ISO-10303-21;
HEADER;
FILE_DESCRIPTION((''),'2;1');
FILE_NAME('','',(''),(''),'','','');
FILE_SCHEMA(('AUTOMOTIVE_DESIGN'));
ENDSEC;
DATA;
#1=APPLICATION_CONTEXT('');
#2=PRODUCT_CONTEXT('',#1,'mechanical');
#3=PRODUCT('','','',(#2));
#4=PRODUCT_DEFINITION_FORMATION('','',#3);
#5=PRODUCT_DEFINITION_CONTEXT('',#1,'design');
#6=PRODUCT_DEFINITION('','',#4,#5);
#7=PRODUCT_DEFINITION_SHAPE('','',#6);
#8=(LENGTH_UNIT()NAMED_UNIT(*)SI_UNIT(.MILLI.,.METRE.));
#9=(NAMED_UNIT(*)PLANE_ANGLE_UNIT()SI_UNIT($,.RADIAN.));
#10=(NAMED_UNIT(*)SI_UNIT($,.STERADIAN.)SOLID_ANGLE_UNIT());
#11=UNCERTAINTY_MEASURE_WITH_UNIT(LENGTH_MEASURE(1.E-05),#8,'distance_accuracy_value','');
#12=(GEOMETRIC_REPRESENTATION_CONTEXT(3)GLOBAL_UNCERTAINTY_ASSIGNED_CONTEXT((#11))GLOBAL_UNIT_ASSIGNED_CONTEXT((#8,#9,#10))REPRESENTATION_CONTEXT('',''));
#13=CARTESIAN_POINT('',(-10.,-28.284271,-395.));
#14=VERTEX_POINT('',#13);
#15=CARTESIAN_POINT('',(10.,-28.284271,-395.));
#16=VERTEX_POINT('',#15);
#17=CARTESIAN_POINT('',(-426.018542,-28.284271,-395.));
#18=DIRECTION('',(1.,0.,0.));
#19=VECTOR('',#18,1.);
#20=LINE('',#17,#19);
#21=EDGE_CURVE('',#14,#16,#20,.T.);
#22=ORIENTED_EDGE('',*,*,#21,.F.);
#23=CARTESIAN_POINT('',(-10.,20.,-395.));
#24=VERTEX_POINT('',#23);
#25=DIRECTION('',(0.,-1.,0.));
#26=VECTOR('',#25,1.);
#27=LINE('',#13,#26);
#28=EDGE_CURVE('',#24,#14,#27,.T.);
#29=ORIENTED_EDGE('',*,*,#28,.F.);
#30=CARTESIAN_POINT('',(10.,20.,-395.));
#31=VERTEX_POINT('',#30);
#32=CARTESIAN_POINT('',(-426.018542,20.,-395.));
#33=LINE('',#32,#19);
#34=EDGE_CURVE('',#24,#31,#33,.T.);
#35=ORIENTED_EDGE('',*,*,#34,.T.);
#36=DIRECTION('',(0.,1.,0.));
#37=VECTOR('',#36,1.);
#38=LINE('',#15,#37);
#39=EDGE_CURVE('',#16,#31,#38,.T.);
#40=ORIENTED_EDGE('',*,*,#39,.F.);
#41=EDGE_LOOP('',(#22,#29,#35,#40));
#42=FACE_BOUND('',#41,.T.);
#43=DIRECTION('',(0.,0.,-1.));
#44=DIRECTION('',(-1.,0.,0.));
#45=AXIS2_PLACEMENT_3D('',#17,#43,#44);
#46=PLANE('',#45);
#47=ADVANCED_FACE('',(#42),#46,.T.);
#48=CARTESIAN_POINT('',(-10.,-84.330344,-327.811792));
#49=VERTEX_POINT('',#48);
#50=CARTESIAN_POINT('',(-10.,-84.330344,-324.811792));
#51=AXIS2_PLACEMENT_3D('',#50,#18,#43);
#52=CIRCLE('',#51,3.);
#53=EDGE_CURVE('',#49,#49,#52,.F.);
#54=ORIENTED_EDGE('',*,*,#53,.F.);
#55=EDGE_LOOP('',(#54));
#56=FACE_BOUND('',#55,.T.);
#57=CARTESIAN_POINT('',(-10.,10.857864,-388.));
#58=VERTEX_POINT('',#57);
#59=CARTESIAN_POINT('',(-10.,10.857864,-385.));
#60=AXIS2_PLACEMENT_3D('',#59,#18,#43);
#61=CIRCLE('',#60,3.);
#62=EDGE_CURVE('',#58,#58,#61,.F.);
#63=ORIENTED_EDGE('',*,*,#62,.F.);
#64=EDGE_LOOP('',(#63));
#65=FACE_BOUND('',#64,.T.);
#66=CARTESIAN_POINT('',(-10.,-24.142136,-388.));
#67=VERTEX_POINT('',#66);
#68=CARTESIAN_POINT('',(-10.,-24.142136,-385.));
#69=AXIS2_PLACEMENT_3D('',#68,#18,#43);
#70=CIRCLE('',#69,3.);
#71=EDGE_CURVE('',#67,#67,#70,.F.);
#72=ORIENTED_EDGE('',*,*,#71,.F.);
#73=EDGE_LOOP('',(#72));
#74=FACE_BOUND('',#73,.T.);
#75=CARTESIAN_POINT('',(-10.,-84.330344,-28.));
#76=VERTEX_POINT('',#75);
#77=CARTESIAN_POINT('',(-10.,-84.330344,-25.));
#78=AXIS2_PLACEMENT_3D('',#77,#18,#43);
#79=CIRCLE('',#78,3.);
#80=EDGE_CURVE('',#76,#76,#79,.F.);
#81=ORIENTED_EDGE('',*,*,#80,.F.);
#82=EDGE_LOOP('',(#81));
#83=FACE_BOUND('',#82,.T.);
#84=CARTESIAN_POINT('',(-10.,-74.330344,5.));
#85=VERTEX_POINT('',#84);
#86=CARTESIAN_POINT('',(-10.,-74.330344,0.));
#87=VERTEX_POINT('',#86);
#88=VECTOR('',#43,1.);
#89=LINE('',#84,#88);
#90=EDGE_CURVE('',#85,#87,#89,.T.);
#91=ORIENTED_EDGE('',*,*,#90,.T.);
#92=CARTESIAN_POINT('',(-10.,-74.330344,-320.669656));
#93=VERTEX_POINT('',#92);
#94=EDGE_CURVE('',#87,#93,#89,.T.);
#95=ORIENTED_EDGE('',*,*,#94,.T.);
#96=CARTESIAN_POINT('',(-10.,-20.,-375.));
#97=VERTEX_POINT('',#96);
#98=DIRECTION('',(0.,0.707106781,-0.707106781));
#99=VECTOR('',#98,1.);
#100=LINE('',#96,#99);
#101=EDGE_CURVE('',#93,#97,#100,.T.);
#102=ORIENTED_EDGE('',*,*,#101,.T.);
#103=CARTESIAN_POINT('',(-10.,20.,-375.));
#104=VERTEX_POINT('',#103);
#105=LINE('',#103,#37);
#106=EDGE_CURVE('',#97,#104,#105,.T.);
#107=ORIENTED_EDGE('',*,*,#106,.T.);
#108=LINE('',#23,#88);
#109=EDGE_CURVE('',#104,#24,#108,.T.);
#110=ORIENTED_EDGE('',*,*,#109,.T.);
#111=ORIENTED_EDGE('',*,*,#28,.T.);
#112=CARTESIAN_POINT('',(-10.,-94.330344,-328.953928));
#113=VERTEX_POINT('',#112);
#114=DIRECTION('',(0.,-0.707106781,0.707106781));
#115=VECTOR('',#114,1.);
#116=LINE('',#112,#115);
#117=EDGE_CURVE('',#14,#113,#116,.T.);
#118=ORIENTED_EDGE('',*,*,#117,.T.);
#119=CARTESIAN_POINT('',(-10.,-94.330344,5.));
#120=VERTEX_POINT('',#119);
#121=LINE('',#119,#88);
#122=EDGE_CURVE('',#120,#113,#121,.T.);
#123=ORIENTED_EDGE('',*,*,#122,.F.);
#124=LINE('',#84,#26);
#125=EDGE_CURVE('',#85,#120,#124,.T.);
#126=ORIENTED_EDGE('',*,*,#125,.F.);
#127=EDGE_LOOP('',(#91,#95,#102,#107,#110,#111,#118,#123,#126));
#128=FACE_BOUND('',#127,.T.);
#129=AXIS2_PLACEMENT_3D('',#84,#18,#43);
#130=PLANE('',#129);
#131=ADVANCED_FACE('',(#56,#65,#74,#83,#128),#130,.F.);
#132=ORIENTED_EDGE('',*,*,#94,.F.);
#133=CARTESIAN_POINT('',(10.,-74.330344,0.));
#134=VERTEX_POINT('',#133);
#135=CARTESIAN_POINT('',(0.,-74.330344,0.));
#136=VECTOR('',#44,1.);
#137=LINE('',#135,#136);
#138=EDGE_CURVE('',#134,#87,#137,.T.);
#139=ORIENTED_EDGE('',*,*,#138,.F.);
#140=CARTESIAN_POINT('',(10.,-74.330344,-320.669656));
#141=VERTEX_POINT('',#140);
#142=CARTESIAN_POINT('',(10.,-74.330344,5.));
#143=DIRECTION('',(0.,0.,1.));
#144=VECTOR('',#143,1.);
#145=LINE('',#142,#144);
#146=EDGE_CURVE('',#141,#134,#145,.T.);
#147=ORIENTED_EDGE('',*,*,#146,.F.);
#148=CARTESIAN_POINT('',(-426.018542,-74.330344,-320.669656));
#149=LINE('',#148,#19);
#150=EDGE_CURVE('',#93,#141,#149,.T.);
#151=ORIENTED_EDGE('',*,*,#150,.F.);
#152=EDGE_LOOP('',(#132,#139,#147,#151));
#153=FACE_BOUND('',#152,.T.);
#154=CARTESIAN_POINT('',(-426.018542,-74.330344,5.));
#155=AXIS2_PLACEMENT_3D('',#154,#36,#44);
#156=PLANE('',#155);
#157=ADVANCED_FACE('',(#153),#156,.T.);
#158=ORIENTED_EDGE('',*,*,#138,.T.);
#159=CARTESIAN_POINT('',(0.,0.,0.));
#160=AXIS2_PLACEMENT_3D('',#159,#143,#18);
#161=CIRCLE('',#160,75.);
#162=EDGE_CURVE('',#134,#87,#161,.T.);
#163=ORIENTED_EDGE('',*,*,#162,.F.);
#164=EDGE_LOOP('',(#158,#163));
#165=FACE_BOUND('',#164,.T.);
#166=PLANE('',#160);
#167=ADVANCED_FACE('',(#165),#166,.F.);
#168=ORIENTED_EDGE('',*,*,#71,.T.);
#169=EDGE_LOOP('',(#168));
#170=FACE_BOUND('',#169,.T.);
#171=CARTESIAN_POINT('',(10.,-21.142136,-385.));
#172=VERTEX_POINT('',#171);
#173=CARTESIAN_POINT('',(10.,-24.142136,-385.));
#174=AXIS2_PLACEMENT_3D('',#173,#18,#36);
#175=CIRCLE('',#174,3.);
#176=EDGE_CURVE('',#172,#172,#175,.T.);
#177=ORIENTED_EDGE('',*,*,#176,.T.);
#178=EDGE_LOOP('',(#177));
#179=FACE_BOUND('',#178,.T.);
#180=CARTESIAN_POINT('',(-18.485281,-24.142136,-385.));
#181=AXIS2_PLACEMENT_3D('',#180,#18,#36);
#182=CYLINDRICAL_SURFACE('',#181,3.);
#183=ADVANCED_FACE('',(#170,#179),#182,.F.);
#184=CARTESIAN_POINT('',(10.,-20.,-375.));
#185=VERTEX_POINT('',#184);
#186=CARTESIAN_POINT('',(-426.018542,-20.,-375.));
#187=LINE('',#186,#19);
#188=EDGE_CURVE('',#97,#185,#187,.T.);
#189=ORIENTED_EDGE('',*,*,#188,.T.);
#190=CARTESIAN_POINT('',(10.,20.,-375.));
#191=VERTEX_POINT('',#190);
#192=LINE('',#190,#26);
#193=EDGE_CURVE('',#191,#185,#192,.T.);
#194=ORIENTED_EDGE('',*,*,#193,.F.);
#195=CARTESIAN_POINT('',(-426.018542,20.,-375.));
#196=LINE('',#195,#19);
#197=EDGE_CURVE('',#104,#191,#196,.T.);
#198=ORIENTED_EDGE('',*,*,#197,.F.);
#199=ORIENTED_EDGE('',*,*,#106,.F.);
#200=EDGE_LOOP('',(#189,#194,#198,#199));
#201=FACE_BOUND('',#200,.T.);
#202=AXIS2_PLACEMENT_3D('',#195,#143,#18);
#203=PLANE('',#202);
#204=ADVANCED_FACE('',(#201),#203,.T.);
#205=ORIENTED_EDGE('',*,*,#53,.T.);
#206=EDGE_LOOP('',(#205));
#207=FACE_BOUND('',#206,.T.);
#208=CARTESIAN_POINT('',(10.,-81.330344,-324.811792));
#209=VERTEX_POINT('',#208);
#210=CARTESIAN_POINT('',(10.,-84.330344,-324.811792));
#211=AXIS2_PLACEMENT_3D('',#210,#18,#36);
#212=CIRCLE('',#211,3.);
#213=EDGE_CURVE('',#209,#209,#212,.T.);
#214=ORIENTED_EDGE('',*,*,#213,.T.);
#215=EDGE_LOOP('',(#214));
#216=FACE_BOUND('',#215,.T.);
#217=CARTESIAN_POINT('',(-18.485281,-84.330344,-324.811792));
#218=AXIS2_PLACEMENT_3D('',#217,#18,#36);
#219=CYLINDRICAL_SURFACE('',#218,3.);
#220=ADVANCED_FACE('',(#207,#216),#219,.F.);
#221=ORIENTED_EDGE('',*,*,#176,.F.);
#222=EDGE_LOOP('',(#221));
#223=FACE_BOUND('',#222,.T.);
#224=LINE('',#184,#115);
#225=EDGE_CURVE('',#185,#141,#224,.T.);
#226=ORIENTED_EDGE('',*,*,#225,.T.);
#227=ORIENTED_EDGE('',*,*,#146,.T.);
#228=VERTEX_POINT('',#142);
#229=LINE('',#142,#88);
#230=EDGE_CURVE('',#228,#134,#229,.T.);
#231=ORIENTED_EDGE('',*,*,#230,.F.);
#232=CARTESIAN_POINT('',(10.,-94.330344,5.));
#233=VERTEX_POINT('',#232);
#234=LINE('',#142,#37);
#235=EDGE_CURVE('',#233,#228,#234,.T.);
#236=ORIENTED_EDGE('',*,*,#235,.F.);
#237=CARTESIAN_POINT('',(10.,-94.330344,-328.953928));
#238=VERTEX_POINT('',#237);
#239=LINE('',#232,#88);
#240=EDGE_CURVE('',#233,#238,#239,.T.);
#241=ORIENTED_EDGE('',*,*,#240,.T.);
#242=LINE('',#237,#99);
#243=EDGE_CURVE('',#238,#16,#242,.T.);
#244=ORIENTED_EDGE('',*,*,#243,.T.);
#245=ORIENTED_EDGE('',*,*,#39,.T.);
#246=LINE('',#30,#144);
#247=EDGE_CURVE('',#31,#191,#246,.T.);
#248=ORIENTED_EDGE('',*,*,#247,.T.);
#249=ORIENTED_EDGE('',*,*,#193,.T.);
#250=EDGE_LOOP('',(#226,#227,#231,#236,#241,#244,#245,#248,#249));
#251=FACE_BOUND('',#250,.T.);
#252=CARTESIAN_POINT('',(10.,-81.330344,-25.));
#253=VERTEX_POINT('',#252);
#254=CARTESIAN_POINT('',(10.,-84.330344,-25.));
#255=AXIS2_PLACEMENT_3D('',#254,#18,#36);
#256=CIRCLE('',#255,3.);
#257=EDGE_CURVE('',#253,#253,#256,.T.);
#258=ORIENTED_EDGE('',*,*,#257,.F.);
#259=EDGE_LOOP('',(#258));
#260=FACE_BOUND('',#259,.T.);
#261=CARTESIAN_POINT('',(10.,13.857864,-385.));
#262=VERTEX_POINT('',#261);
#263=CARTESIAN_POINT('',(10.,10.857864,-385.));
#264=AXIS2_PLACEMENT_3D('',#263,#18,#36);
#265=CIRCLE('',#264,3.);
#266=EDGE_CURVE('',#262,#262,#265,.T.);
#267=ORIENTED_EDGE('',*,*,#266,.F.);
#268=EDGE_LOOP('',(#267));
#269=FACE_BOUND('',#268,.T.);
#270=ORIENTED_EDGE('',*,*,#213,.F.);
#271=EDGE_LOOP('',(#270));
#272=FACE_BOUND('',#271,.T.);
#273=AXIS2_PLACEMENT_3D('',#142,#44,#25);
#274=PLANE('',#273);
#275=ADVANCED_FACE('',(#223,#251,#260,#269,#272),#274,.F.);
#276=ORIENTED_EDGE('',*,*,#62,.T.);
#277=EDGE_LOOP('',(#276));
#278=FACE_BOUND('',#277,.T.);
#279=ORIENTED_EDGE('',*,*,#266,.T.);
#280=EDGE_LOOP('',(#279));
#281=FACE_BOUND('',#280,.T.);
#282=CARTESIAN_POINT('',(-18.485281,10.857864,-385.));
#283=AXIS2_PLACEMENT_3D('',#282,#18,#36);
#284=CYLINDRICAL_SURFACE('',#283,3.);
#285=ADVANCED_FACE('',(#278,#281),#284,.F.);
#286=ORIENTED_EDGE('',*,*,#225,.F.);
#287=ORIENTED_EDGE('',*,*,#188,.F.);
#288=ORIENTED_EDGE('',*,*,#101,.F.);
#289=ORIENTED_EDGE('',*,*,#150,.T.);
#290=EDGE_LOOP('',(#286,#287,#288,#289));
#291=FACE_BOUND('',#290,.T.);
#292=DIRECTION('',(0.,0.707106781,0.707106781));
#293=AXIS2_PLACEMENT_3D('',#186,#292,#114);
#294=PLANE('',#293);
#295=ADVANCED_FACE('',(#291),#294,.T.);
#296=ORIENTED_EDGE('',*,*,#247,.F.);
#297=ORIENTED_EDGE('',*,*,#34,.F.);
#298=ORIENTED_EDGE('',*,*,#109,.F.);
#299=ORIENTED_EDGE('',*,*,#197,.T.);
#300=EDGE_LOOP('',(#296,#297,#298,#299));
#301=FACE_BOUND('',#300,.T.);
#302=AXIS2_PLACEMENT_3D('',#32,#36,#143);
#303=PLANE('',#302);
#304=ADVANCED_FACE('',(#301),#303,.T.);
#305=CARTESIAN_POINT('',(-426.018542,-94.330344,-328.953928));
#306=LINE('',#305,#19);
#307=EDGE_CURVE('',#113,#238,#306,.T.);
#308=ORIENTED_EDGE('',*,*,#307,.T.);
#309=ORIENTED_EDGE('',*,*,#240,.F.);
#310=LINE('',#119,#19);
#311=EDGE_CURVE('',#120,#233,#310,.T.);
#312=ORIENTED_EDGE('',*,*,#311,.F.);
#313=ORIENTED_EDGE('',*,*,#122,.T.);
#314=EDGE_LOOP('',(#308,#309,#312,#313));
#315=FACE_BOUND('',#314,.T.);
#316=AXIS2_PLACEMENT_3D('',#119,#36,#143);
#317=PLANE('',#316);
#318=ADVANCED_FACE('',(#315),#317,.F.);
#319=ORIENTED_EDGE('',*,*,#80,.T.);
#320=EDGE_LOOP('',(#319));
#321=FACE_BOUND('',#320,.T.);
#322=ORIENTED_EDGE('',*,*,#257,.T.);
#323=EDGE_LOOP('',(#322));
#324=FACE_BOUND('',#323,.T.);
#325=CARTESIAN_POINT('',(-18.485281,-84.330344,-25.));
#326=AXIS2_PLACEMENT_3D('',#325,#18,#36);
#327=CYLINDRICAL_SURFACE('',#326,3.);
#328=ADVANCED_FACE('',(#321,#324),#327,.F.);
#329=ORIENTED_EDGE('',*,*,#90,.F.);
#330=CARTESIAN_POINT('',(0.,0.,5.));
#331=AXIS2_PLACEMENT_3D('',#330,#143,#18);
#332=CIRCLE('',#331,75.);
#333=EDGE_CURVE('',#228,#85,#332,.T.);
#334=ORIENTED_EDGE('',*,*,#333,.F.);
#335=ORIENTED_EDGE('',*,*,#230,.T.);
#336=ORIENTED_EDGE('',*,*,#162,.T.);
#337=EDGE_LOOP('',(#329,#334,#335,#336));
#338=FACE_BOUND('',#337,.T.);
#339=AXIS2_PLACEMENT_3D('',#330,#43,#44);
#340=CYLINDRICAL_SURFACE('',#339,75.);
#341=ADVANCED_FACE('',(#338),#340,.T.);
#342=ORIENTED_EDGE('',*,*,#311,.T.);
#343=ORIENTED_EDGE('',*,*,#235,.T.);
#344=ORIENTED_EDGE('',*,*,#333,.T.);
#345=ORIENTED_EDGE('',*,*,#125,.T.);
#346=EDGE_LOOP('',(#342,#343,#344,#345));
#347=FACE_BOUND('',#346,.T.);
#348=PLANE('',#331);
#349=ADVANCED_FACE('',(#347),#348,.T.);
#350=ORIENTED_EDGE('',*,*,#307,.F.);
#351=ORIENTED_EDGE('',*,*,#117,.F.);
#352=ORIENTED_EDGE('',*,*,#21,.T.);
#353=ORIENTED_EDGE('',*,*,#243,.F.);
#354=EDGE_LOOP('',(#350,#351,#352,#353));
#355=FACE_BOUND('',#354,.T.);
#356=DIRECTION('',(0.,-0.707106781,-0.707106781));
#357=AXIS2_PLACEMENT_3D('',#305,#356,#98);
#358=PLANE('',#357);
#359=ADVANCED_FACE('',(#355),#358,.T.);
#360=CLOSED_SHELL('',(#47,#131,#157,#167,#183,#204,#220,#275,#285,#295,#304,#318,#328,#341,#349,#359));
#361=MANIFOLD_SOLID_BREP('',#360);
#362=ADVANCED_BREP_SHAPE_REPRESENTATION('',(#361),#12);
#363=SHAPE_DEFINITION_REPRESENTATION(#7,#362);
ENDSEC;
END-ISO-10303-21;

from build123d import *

# Parameters (mm, degrees)
BOSS_EXTRU_1_DEPTH      = 5
BOSS_EXTRU_3_DEPTH      = 20
ESQUISSE7_R             = 3
ENL_V_MAT_EXTRU_1_DEPTH = 20


with BuildPart() as part:
    # Esquisse1 → Boss.-Extru.1 (new body)
    with BuildSketch(Plane.XY):
        with BuildLine():
            Line((-10, -74.330343737), (-10, -94.330343737))
            Line((-10, -94.330343737), (10, -94.330343737))
            Line((10, -94.330343737), (10, -74.330343737))
            ThreePointArc((10, -74.330343737), (0, 75), (-10, -74.330343737))
        make_face()
    extrude(amount=BOSS_EXTRU_1_DEPTH)

    # Esquisse6 → Boss.-Extru.3 (add)
    with BuildSketch(Plane(origin=(10, 0, 0), x_dir=(0, 0, -1), z_dir=(1, 0, 0))):
        Polygon((375, -20), (320.669656263, -74.330343737), (-5, -74.330343737), (-5, -94.330343737), (328.953927511, -94.330343737), (395, -28.284271247), (395, 20), (375, 20), align=None)
    extrude(amount=-BOSS_EXTRU_3_DEPTH)

    # Esquisse7 → Enlèv. mat.-Extru.1 (cut)
    with BuildSketch(Plane(origin=(10, 0, 0), x_dir=(0, 0, -1), z_dir=(1, 0, 0))):
        with Locations(Location((324.811791887, -84.330343737, 0), (0, 0, 90))):
            Circle(ESQUISSE7_R)
        with Locations(Location((385, -24.142135624, 0), (0, 0, 90))):
            Circle(ESQUISSE7_R)
        with Locations(Location((385, 10.857864376, 0), (0, 0, 90))):
            Circle(ESQUISSE7_R)
        with Locations(Location((25, -84.330343737, 0), (0, 0, 90))):
            Circle(ESQUISSE7_R)
    extrude(amount=-ENL_V_MAT_EXTRU_1_DEPTH, mode=Mode.SUBTRACT)


solid = part.part
